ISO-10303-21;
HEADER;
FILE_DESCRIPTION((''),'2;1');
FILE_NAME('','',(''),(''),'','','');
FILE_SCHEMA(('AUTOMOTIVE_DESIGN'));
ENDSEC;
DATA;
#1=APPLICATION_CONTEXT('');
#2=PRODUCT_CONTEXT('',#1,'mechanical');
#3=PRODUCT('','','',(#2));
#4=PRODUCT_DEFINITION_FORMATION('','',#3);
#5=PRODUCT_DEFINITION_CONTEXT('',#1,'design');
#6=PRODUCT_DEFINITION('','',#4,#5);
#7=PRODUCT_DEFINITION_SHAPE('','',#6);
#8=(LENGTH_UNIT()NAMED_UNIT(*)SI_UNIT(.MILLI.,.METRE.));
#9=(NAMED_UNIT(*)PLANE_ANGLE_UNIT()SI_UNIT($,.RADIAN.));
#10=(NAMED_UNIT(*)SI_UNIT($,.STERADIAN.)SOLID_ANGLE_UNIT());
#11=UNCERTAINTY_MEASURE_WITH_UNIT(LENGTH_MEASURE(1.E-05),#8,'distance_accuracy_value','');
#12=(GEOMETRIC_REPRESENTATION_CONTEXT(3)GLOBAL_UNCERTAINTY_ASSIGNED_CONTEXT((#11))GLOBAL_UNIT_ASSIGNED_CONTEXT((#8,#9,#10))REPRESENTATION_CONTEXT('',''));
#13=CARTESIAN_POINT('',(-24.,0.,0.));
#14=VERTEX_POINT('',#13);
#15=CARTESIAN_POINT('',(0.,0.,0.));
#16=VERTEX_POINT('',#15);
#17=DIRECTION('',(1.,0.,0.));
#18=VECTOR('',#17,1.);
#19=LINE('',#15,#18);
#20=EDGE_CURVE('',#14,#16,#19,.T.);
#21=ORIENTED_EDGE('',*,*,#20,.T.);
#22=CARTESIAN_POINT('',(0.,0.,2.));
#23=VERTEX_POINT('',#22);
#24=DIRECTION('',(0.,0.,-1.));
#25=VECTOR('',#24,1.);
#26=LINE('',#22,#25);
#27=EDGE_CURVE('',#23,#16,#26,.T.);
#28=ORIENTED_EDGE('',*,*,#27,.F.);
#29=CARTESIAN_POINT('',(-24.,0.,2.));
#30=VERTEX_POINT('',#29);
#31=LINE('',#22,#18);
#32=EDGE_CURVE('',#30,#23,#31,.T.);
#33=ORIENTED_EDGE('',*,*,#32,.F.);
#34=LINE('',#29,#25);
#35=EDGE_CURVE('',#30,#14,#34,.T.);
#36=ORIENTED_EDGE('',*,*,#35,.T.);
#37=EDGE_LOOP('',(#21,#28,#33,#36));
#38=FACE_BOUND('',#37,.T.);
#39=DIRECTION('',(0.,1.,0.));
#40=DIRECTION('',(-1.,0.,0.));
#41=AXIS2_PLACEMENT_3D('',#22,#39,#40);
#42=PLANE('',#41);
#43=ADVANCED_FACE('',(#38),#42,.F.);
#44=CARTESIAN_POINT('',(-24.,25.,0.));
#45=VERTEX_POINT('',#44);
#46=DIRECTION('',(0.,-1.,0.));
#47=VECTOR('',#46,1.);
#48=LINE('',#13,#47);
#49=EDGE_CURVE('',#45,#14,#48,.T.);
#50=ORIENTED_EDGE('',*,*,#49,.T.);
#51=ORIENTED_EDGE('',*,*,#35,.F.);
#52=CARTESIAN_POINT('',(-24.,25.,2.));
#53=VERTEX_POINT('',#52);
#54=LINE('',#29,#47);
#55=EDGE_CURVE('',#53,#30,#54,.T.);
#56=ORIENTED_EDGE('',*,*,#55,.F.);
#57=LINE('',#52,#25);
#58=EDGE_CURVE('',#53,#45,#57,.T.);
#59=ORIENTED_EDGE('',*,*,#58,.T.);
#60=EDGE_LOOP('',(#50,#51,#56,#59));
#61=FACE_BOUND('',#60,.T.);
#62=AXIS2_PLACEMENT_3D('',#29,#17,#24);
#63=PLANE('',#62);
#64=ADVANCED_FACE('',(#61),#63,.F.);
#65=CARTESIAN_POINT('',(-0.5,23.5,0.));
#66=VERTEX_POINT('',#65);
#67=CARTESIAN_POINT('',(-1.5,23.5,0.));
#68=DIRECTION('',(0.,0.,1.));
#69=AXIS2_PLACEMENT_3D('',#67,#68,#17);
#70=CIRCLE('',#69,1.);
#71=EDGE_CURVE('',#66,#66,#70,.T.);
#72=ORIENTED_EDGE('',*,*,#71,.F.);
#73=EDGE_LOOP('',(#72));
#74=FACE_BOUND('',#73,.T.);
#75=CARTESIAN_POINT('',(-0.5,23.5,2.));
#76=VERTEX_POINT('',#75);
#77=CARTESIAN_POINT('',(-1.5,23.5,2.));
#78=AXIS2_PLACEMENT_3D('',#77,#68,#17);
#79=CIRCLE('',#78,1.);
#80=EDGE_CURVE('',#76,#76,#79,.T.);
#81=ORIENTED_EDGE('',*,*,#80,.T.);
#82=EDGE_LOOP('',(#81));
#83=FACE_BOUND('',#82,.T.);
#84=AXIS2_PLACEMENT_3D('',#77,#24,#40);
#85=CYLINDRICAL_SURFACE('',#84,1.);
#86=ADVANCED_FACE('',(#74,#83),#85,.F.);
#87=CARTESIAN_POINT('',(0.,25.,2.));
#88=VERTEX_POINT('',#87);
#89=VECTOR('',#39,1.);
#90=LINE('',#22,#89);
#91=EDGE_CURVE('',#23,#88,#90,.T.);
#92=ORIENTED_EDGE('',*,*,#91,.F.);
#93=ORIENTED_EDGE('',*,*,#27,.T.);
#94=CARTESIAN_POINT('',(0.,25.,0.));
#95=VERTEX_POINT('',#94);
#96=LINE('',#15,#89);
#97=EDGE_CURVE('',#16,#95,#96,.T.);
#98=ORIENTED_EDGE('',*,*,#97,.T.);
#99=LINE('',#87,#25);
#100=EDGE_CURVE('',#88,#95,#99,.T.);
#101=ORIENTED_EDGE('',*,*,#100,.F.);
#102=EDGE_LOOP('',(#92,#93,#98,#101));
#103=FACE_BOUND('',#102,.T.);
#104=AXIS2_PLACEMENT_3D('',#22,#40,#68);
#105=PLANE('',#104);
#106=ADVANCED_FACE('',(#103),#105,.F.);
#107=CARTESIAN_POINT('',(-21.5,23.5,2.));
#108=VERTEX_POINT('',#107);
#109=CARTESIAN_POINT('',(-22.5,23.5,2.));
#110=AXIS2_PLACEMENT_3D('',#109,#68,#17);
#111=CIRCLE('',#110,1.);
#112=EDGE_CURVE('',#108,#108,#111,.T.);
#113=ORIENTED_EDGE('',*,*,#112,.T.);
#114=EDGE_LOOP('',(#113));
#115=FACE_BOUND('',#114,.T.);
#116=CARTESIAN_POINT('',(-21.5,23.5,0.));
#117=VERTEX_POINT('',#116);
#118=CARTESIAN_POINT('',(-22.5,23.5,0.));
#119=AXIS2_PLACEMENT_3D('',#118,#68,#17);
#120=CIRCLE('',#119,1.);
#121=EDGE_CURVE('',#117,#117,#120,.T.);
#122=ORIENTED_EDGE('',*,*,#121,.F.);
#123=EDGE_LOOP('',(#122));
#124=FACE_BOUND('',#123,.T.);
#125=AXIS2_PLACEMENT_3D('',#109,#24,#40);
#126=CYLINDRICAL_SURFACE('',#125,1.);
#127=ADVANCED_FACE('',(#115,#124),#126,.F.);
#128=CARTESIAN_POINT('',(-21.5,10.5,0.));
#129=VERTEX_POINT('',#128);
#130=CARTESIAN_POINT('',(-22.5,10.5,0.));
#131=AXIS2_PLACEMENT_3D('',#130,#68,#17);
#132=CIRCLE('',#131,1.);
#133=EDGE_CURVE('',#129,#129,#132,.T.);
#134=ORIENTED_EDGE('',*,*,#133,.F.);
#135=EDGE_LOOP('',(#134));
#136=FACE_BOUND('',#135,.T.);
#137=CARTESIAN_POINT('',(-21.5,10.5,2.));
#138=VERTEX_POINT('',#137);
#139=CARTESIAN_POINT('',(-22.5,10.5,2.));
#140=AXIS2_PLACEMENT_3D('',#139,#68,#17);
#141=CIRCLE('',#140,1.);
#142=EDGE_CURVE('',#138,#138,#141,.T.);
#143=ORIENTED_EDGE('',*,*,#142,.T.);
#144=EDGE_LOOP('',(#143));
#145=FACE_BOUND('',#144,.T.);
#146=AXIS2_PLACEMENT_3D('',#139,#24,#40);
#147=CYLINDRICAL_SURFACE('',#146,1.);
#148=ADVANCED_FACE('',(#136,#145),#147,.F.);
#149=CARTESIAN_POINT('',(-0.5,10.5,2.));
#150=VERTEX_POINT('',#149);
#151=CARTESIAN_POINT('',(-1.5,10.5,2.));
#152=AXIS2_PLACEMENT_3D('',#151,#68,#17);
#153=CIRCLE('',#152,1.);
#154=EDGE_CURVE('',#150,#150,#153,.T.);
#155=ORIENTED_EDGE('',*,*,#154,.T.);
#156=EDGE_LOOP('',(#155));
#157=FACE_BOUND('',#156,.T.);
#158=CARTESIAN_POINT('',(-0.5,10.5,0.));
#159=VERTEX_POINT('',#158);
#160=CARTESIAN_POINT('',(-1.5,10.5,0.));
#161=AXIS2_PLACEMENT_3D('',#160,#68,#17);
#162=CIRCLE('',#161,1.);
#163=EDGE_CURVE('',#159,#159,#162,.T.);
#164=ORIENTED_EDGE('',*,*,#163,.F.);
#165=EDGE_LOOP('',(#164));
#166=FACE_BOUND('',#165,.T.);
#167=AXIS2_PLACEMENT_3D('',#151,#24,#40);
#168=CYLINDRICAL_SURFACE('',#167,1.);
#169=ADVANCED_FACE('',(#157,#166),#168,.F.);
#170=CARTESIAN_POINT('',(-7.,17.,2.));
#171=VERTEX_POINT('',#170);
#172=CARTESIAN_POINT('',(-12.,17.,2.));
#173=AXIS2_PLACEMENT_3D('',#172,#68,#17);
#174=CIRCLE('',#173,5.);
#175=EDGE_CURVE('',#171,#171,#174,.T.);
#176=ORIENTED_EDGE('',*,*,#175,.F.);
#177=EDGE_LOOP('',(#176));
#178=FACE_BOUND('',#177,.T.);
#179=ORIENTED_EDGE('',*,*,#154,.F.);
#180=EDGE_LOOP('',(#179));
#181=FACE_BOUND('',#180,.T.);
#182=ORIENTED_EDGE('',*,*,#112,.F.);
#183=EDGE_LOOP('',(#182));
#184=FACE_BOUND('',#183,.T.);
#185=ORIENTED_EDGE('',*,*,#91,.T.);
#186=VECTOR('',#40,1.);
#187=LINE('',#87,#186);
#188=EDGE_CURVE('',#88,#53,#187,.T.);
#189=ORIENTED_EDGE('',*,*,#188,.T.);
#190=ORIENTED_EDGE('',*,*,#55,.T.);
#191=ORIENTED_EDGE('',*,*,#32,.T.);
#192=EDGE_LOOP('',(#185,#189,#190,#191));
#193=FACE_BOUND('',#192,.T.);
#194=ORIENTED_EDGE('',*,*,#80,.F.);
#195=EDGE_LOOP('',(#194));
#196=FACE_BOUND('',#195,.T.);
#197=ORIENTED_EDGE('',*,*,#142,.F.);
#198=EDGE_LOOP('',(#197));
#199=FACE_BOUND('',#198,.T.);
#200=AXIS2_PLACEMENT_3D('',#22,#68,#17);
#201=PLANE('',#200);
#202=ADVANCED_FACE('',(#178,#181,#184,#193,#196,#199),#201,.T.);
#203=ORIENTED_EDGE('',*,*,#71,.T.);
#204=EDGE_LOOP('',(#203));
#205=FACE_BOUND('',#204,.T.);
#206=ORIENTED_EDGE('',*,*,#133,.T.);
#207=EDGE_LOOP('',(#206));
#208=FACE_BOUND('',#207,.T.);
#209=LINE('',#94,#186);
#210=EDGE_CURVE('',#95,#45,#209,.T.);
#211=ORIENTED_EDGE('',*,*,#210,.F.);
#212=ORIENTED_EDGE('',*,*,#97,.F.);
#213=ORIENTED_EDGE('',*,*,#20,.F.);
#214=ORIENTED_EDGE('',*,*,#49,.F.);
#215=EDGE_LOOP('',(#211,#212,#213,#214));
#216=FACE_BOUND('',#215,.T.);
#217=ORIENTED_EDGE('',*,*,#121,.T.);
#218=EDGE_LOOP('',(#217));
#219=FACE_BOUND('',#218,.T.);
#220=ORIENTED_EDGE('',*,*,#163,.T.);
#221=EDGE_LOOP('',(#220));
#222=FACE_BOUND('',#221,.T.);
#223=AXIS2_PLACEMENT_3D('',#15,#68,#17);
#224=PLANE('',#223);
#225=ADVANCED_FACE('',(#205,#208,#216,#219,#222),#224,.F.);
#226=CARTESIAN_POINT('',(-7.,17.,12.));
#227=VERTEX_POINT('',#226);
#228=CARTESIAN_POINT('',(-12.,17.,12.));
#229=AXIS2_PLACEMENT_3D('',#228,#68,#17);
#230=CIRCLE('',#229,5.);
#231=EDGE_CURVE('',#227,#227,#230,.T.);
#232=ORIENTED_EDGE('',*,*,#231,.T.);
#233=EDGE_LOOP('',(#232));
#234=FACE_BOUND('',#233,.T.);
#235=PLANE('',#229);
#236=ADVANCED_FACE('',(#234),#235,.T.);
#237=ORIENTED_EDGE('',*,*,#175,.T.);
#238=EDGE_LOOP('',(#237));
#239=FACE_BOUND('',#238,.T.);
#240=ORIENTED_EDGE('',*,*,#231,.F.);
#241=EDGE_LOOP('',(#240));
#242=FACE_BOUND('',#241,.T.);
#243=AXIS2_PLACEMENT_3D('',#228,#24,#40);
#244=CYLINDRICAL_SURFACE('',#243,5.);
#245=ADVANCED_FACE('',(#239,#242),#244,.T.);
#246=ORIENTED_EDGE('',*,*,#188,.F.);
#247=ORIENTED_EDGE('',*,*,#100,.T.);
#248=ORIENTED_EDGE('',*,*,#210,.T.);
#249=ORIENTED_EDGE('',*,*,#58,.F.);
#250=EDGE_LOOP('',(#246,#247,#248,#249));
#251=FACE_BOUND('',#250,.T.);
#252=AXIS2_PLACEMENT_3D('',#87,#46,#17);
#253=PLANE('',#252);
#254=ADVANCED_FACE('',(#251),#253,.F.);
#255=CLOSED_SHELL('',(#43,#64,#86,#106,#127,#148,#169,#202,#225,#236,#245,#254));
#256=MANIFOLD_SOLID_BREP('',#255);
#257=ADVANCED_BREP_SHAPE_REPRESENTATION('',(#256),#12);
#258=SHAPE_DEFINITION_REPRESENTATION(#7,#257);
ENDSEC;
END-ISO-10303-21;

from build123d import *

# Parameters (mm, degrees)
SKETCH_1_W      = 24
SKETCH_1_H      = 25
SKETCH_1_R      = 1
EXTRUDE_1_DEPTH = 2
SKETCH_2_R      = 5
EXTRUDE_2_DEPTH = 10


with BuildPart() as part:
    # 草图1 → 凸台-拉伸1 (new body)
    with BuildSketch(Plane.XY):
        with Locations((-12, 12.5)):
            Rectangle(SKETCH_1_W, SKETCH_1_H)
        with Locations((-22.5, 23.5)):
            Circle(SKETCH_1_R, mode=Mode.SUBTRACT)
        with Locations((-22.5, 10.5)):
            Circle(SKETCH_1_R, mode=Mode.SUBTRACT)
        with Locations((-1.5, 10.5)):
            Circle(SKETCH_1_R, mode=Mode.SUBTRACT)
        with Locations((-1.5, 23.5)):
            Circle(SKETCH_1_R, mode=Mode.SUBTRACT)
    extrude(amount=EXTRUDE_1_DEPTH)

    # 草图2 → 凸台-拉伸2 (add)
    with BuildSketch(Plane.XY.offset(2)):
        with Locations((-12, 17)):
            Circle(SKETCH_2_R)
    extrude(amount=EXTRUDE_2_DEPTH)


solid = part.part
